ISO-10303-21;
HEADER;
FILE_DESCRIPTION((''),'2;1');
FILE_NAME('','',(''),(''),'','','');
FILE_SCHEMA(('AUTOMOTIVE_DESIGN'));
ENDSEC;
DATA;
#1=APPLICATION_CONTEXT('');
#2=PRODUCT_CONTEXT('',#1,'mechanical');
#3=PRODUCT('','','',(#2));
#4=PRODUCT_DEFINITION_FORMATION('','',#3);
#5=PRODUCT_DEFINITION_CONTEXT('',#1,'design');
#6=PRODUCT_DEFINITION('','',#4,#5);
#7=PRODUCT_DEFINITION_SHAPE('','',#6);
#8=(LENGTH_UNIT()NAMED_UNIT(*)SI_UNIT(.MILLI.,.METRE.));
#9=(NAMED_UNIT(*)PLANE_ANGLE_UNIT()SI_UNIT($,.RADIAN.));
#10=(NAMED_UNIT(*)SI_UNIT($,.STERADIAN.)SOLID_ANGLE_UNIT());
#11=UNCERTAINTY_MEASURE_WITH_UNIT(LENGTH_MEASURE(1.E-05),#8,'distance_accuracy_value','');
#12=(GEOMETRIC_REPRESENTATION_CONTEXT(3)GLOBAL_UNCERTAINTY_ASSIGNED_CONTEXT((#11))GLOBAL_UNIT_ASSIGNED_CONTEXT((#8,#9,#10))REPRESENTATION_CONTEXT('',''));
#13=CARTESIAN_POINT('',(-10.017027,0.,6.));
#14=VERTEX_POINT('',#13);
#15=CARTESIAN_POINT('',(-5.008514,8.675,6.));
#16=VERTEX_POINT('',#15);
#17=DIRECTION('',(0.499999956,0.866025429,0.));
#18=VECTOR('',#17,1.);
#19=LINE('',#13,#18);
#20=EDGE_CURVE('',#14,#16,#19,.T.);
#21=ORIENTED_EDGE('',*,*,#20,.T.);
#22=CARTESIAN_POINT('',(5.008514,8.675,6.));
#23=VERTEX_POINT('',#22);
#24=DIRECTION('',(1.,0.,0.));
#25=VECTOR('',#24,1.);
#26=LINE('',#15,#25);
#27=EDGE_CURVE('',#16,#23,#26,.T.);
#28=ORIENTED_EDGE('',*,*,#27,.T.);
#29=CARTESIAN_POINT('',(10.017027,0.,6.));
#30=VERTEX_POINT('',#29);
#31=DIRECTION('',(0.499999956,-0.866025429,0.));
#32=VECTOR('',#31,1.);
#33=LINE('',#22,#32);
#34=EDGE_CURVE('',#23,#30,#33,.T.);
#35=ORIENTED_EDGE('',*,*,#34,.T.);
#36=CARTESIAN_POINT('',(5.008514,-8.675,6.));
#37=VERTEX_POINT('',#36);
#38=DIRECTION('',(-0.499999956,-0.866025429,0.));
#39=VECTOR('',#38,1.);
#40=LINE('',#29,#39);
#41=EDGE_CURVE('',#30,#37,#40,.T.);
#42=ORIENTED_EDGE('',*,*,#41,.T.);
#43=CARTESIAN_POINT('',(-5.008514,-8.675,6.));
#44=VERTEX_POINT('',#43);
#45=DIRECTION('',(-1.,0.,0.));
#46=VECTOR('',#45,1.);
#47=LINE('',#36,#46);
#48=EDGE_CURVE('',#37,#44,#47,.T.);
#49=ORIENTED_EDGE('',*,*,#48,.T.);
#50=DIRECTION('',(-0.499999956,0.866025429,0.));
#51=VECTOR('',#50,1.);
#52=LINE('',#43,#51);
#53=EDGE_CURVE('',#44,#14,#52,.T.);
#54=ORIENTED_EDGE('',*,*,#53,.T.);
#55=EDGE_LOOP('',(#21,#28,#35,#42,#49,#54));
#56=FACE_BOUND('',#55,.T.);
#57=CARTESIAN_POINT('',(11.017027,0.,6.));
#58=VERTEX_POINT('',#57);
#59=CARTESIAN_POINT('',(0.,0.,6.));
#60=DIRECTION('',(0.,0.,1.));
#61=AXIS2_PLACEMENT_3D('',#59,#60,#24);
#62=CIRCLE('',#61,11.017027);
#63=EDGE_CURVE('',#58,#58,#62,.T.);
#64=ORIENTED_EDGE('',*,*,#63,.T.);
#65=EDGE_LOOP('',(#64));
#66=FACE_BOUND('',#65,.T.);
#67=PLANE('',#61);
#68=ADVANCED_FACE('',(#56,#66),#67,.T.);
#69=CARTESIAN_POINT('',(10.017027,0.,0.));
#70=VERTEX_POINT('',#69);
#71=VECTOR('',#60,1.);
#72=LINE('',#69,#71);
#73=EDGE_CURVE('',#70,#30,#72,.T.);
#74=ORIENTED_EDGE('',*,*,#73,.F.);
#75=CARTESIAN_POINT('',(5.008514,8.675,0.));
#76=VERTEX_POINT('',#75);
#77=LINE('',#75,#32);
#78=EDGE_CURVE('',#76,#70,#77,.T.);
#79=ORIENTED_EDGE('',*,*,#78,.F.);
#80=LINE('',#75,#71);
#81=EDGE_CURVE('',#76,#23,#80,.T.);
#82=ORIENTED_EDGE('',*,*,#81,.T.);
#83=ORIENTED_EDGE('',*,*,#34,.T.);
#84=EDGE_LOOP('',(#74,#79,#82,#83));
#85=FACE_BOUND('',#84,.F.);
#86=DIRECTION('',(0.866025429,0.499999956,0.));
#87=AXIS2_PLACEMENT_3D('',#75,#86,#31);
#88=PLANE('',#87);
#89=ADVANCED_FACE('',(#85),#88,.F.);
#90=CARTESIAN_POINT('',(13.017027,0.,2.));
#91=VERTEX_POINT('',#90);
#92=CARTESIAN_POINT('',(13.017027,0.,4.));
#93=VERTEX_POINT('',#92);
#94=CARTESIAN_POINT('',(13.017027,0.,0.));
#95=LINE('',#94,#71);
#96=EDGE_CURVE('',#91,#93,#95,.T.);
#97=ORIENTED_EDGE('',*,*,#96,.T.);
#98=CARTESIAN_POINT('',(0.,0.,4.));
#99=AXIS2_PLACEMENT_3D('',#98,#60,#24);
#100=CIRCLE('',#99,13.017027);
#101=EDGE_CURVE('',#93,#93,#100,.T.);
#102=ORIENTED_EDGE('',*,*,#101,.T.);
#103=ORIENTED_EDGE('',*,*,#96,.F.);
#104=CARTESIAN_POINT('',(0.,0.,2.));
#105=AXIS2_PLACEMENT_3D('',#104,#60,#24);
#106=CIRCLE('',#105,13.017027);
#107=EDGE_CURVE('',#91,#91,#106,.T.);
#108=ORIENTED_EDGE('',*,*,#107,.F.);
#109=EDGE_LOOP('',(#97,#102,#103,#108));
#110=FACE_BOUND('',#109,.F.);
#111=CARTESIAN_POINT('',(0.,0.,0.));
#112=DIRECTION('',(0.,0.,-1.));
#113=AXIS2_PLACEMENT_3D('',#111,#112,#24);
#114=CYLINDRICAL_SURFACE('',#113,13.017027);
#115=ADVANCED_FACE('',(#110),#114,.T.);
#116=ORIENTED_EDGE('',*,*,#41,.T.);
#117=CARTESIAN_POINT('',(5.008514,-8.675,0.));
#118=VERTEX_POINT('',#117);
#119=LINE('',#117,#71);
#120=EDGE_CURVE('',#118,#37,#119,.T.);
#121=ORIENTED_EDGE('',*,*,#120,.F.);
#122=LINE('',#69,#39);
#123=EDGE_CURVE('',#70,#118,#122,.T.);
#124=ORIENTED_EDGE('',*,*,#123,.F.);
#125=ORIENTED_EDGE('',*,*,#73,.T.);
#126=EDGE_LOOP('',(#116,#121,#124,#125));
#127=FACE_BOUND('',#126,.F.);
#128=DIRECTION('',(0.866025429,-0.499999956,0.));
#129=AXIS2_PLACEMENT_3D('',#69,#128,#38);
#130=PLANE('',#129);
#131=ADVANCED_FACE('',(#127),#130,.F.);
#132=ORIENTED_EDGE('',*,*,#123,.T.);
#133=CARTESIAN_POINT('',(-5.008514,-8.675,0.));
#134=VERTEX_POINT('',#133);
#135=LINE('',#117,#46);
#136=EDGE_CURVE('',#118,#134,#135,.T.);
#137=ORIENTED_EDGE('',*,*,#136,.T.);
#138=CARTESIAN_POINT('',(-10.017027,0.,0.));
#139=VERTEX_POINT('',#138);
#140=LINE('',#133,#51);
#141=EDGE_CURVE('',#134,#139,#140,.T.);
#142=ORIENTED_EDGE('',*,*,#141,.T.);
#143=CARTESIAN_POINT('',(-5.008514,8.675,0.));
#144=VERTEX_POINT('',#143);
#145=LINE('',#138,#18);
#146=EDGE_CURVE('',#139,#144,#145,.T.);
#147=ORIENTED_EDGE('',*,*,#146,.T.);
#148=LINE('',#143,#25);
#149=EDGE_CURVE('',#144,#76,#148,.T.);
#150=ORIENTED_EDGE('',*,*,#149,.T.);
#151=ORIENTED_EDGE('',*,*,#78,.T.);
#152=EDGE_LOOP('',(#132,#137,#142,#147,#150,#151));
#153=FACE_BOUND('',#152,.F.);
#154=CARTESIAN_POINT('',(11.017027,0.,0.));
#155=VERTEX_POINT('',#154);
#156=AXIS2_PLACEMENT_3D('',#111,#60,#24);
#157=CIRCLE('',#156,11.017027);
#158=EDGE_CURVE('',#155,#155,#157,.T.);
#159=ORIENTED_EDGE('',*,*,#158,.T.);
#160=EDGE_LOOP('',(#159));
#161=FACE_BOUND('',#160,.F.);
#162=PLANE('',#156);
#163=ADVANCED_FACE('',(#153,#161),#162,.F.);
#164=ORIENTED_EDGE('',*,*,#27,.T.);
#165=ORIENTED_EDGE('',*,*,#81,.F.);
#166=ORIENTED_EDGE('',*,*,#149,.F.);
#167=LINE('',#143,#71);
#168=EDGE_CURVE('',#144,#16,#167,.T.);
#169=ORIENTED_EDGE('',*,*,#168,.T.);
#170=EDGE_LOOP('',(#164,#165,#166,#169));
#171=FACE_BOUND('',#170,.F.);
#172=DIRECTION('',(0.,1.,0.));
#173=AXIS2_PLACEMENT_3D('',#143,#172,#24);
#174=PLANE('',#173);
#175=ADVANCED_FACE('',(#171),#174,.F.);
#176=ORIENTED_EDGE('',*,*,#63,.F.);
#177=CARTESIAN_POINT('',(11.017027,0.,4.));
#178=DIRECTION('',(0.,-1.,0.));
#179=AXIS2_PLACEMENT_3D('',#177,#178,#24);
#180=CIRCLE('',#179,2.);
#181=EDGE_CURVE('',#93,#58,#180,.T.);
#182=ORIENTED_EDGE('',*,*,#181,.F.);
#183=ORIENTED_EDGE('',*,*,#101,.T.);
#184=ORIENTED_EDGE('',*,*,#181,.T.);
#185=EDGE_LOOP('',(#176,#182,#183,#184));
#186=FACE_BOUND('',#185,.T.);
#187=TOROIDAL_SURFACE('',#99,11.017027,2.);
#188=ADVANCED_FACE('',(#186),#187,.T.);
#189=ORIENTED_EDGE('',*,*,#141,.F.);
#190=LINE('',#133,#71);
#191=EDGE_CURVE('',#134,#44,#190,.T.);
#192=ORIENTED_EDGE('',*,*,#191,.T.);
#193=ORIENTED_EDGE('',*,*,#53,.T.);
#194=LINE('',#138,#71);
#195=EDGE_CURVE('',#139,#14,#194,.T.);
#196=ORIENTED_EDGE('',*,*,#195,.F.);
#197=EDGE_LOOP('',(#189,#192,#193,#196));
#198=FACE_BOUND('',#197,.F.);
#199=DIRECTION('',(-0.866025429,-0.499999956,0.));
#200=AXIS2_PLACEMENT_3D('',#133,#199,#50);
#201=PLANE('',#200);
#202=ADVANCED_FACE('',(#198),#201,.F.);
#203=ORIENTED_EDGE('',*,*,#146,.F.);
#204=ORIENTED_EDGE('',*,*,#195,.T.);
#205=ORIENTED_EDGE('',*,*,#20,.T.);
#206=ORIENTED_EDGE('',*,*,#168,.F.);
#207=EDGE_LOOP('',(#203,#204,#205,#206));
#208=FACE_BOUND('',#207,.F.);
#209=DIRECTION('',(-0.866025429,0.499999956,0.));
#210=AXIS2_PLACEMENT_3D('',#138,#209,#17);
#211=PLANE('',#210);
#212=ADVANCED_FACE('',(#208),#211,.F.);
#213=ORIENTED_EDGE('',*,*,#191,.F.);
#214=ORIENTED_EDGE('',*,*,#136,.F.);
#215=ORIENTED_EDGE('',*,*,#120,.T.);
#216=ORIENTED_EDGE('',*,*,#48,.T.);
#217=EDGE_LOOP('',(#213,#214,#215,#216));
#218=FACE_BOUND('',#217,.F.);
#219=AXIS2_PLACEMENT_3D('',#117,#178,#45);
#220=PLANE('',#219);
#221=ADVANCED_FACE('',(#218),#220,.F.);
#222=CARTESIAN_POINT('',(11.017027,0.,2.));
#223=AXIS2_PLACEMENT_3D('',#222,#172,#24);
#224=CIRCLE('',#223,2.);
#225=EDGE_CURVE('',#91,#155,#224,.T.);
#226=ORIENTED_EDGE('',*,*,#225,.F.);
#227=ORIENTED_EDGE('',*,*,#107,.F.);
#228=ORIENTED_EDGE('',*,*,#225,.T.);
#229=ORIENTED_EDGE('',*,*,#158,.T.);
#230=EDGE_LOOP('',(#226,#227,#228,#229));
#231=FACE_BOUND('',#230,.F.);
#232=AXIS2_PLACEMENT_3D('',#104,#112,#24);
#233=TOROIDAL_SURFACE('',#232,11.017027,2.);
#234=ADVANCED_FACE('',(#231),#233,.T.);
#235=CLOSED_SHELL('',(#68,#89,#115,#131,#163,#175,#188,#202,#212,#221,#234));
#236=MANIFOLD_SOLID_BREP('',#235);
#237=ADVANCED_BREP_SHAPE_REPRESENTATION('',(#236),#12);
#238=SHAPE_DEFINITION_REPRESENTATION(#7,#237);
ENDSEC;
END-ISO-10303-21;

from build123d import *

# Parameters (mm, degrees)
F0_R     = 13.017027
F1_DEPTH = 6
F2_R     = 2


with BuildPart() as f1:
    # F0 (on Top) → F1 (new body)
    with BuildSketch(Plane.XY):
        Circle(F0_R)
        Polygon((-10.017027, 0), (-5.008514, 8.675), (5.008514, 8.675), (10.017027, 0), (5.008514, -8.675), (-5.008514, -8.675), align=None, mode=Mode.SUBTRACT)
    extrude(amount=F1_DEPTH)

    # F2
    f2_edges = [f1.edges().sort_by_distance(p)[0] for p in [
        (-13.017027, 0, 6),
        (-13.017027, 0, 0),
    ]]
    fillet(f2_edges, radius=F2_R)


solid = f1.part
